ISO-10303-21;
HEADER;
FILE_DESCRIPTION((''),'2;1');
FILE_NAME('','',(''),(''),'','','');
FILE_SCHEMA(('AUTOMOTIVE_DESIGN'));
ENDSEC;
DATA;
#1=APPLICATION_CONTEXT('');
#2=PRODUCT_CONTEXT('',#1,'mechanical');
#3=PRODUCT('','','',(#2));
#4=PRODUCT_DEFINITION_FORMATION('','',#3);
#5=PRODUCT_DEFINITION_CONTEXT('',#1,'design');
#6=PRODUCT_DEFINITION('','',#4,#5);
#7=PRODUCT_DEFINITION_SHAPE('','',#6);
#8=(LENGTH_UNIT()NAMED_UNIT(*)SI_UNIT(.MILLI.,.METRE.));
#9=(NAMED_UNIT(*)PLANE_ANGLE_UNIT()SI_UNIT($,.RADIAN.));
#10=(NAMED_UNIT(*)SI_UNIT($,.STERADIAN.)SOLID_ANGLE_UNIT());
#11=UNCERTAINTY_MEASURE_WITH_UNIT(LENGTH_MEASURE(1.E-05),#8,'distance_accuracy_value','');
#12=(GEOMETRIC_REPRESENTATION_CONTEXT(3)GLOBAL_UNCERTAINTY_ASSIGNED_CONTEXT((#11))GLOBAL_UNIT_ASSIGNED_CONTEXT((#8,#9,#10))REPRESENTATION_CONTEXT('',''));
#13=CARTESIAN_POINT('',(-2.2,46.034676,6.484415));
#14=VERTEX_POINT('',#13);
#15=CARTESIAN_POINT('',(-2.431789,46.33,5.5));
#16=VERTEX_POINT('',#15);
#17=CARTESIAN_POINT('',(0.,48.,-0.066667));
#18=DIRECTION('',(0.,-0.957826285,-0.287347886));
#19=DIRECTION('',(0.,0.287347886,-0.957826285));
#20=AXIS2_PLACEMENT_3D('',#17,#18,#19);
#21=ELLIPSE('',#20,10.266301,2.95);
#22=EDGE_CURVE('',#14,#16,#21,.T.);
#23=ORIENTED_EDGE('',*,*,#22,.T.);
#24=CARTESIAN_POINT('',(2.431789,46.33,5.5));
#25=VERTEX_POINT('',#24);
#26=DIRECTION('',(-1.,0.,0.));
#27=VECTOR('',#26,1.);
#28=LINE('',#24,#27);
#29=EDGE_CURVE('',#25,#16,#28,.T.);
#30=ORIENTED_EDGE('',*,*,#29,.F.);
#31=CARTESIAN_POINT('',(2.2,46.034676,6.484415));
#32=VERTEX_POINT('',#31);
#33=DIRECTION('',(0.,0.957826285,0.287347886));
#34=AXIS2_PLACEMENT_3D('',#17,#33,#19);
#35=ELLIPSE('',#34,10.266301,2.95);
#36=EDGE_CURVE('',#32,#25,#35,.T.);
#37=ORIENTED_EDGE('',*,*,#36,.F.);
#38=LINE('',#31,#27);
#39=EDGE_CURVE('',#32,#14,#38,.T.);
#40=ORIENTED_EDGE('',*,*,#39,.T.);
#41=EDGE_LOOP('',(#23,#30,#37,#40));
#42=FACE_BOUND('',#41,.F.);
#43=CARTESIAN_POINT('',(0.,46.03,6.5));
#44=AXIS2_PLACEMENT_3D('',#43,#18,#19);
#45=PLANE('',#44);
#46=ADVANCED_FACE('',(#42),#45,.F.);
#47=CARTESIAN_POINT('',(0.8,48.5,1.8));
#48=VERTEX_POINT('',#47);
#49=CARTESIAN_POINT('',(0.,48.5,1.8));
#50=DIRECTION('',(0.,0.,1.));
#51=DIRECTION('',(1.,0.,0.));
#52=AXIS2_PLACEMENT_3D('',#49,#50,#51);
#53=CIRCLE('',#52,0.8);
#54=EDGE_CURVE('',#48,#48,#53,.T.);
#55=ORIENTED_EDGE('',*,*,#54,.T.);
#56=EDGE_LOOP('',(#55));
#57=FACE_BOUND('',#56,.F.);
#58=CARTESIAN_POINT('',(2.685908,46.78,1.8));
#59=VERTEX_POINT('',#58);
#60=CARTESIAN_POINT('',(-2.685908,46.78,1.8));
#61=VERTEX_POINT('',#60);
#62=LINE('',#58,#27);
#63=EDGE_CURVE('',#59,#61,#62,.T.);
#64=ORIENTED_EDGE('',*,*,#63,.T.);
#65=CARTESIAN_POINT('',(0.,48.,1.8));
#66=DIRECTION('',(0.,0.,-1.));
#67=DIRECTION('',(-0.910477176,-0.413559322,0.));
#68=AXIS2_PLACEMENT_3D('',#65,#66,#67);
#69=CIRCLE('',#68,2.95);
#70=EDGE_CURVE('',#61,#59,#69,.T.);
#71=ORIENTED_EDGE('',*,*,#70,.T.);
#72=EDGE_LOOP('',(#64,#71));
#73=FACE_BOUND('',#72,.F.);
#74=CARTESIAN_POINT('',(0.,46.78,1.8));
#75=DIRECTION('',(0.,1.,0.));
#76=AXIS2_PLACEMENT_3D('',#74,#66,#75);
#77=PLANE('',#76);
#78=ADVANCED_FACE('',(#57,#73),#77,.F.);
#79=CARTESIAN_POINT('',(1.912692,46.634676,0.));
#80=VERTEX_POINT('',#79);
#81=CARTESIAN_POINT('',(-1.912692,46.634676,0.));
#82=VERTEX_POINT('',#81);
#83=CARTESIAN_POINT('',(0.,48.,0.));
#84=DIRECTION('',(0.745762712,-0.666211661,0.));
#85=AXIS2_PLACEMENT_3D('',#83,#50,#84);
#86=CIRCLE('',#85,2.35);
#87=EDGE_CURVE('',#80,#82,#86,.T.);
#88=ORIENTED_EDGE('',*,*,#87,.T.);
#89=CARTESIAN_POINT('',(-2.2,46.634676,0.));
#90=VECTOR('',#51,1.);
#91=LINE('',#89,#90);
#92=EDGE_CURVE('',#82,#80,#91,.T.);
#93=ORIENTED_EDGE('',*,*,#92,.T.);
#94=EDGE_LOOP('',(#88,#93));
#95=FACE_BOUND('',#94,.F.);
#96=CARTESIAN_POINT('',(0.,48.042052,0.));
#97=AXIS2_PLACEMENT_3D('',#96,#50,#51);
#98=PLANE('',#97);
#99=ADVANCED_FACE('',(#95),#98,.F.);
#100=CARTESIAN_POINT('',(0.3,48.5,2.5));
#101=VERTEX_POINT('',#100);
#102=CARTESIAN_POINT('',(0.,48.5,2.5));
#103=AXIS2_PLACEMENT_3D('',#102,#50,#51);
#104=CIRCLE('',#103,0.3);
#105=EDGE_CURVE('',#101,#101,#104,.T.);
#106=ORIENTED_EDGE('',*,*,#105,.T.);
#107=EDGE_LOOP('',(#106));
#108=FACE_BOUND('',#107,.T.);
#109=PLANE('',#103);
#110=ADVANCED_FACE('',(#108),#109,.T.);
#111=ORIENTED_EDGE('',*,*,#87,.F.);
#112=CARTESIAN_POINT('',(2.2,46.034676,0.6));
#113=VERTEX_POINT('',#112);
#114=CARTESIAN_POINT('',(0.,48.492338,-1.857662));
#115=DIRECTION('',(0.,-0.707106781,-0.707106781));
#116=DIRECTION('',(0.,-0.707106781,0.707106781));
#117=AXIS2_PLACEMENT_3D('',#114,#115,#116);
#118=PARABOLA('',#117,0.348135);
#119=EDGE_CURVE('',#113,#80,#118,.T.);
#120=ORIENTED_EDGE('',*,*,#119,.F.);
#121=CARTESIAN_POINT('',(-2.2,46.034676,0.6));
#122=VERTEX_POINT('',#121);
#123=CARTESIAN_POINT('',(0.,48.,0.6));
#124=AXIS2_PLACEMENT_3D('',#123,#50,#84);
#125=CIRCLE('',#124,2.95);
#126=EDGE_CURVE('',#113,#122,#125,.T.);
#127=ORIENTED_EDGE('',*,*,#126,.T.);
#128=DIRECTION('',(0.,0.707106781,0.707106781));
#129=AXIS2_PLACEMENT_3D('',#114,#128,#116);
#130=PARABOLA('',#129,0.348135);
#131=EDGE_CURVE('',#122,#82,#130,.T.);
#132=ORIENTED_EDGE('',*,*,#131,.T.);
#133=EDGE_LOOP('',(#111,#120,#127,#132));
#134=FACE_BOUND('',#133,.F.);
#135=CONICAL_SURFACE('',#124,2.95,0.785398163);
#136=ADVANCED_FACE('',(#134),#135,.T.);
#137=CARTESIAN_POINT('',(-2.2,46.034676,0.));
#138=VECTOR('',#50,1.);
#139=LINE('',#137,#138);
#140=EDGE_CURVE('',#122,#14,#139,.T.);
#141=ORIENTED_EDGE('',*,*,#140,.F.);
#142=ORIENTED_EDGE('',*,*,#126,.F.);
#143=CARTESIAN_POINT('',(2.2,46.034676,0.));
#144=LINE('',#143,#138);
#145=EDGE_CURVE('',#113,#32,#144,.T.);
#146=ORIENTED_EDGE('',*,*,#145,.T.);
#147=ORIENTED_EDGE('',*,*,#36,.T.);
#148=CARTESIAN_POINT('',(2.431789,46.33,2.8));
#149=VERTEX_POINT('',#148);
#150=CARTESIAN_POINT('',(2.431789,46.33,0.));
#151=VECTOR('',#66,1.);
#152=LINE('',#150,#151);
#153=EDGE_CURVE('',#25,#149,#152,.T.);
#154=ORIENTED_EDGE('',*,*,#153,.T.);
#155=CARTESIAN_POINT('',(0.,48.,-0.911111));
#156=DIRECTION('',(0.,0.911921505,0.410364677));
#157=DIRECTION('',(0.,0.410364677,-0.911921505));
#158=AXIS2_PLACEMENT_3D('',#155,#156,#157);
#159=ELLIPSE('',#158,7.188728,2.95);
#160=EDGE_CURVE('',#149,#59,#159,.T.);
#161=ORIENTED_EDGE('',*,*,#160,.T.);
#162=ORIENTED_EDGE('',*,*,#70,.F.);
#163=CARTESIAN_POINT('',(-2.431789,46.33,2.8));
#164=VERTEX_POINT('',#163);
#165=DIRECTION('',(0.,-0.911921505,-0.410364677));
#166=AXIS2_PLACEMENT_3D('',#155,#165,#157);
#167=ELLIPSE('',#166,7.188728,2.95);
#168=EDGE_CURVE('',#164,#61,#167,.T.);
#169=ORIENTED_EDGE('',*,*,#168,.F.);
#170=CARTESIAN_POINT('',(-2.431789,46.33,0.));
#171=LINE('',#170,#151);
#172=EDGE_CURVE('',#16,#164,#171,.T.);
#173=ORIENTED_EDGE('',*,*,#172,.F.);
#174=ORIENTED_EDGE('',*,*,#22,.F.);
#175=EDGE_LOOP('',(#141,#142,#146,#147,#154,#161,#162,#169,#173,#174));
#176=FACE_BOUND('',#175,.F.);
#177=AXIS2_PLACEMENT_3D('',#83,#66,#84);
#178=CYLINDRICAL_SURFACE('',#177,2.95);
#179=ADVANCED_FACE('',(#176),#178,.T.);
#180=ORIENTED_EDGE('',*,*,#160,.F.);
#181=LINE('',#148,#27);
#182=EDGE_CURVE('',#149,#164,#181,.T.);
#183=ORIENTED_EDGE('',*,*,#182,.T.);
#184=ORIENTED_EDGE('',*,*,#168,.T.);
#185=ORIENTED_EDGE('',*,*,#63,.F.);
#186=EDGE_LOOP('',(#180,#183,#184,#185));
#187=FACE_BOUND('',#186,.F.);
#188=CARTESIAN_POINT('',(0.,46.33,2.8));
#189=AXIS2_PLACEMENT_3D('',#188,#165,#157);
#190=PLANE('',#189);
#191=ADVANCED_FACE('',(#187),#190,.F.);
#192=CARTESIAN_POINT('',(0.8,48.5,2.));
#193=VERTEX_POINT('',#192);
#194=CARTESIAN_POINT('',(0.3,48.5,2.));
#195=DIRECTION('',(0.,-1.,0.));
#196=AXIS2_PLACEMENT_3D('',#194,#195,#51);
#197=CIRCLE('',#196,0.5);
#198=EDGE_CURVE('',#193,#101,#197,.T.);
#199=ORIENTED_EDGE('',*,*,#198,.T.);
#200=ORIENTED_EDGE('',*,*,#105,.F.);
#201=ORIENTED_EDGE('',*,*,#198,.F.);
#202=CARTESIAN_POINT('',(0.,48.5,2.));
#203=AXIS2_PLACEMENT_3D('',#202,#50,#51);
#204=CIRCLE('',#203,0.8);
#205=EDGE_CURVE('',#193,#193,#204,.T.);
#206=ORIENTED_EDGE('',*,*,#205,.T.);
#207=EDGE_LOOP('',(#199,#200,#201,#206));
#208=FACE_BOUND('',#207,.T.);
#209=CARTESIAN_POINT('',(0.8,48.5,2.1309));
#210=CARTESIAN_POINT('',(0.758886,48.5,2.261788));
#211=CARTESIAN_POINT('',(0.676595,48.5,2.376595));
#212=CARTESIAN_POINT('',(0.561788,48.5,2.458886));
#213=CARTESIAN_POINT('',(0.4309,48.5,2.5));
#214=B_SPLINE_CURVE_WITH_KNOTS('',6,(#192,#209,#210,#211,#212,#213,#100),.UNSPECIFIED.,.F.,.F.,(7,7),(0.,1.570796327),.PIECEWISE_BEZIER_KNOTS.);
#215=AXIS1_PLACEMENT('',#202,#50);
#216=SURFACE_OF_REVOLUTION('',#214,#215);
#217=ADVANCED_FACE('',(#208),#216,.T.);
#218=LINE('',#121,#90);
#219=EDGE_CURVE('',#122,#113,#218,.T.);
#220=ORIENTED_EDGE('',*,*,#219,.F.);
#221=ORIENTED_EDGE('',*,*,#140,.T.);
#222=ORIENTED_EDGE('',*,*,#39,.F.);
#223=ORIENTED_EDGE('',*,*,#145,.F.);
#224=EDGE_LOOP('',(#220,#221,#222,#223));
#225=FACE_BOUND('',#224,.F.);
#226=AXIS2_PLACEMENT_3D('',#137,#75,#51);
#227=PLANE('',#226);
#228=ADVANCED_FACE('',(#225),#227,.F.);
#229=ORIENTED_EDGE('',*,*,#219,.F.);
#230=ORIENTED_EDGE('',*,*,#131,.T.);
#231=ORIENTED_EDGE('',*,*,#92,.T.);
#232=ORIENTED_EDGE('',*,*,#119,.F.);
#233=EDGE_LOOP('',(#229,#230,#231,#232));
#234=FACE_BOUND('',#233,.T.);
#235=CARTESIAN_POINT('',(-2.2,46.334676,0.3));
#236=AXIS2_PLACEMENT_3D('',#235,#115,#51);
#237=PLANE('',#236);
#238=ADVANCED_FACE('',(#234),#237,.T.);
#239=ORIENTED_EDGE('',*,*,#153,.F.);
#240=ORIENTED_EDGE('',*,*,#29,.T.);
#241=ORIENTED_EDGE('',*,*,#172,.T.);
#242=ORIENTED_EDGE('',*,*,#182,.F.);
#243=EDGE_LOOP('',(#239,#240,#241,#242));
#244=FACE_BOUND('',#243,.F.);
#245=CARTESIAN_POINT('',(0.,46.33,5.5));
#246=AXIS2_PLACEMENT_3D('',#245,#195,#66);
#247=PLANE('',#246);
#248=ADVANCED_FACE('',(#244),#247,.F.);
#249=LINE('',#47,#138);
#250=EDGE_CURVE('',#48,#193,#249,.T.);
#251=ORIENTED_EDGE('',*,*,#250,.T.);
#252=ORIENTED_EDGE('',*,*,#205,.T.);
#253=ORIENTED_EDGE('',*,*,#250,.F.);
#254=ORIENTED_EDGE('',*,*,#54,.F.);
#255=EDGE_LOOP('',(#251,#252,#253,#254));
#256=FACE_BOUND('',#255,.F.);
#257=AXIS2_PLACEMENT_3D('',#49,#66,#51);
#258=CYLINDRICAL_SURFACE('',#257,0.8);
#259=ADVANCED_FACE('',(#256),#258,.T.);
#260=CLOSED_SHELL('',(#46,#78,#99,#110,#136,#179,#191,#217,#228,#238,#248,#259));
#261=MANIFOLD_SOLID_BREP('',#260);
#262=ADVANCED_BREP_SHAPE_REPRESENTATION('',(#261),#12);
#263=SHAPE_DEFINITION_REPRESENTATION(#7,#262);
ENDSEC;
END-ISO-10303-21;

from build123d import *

# Parameters (mm, degrees)
PAD003_DEPTH         = 6.5
POCKET004_DEPTH      = 2.951
POCKET004_DEPTH_BACK = 2.951
SKETCH013_R          = 0.8
PAD006_DEPTH         = 0.7
FILLET_R             = 0.5
CHAMFER004_SIZE      = 0.6


with BuildPart() as part:
    # Sketch004 → Pad003 (new body)
    with BuildSketch(Plane.XY):
        with BuildLine():
            ThreePointArc((2.2, -1.9653244007), (0, 2.95), (-2.2, -1.9653244007))
            Line((-2.2, -1.9653244007), (2.2, -1.9653244007))
        make_face()
    extrude(amount=PAD003_DEPTH)

    # Sketch014 → Pocket004 (cut, two sides)
    with BuildSketch(Plane.YZ) as pocket004_sk:
        Polygon((-1.97, 6.5), (-1.67, 5.5), (-1.67, 2.8), (-1.22, 1.8), (4, 1.8), (4, 6.5), align=None)
    extrude(amount=-POCKET004_DEPTH, mode=Mode.SUBTRACT)
    extrude(pocket004_sk.sketch, amount=POCKET004_DEPTH_BACK, mode=Mode.SUBTRACT)

    # Sketch013 (on Face7 of Pocket004) → Pad006 (join)
    with BuildSketch(Plane.XY.offset(1.8)):
        with Locations((0, 0.5)):
            Circle(SKETCH013_R)
    extrude(amount=PAD006_DEPTH)

    # Fillet
    fillet_edges = [part.edges().sort_by_distance(p)[0] for p in [
        (-0.8, 0.5, 2.5),
    ]]
    fillet(fillet_edges, radius=FILLET_R)

    # Chamfer004
    chamfer004_edges = [part.edges().sort_by_distance(p)[0] for p in [
        (0, 2.95, 0),
        (0, -1.965324, 0),
    ]]
    chamfer(chamfer004_edges, length=CHAMFER004_SIZE)


with BuildPart() as part_1:
    # Body027 placement: moved
    add(part.part.moved(Location((0, 48, 0))))


solid = part_1.part
